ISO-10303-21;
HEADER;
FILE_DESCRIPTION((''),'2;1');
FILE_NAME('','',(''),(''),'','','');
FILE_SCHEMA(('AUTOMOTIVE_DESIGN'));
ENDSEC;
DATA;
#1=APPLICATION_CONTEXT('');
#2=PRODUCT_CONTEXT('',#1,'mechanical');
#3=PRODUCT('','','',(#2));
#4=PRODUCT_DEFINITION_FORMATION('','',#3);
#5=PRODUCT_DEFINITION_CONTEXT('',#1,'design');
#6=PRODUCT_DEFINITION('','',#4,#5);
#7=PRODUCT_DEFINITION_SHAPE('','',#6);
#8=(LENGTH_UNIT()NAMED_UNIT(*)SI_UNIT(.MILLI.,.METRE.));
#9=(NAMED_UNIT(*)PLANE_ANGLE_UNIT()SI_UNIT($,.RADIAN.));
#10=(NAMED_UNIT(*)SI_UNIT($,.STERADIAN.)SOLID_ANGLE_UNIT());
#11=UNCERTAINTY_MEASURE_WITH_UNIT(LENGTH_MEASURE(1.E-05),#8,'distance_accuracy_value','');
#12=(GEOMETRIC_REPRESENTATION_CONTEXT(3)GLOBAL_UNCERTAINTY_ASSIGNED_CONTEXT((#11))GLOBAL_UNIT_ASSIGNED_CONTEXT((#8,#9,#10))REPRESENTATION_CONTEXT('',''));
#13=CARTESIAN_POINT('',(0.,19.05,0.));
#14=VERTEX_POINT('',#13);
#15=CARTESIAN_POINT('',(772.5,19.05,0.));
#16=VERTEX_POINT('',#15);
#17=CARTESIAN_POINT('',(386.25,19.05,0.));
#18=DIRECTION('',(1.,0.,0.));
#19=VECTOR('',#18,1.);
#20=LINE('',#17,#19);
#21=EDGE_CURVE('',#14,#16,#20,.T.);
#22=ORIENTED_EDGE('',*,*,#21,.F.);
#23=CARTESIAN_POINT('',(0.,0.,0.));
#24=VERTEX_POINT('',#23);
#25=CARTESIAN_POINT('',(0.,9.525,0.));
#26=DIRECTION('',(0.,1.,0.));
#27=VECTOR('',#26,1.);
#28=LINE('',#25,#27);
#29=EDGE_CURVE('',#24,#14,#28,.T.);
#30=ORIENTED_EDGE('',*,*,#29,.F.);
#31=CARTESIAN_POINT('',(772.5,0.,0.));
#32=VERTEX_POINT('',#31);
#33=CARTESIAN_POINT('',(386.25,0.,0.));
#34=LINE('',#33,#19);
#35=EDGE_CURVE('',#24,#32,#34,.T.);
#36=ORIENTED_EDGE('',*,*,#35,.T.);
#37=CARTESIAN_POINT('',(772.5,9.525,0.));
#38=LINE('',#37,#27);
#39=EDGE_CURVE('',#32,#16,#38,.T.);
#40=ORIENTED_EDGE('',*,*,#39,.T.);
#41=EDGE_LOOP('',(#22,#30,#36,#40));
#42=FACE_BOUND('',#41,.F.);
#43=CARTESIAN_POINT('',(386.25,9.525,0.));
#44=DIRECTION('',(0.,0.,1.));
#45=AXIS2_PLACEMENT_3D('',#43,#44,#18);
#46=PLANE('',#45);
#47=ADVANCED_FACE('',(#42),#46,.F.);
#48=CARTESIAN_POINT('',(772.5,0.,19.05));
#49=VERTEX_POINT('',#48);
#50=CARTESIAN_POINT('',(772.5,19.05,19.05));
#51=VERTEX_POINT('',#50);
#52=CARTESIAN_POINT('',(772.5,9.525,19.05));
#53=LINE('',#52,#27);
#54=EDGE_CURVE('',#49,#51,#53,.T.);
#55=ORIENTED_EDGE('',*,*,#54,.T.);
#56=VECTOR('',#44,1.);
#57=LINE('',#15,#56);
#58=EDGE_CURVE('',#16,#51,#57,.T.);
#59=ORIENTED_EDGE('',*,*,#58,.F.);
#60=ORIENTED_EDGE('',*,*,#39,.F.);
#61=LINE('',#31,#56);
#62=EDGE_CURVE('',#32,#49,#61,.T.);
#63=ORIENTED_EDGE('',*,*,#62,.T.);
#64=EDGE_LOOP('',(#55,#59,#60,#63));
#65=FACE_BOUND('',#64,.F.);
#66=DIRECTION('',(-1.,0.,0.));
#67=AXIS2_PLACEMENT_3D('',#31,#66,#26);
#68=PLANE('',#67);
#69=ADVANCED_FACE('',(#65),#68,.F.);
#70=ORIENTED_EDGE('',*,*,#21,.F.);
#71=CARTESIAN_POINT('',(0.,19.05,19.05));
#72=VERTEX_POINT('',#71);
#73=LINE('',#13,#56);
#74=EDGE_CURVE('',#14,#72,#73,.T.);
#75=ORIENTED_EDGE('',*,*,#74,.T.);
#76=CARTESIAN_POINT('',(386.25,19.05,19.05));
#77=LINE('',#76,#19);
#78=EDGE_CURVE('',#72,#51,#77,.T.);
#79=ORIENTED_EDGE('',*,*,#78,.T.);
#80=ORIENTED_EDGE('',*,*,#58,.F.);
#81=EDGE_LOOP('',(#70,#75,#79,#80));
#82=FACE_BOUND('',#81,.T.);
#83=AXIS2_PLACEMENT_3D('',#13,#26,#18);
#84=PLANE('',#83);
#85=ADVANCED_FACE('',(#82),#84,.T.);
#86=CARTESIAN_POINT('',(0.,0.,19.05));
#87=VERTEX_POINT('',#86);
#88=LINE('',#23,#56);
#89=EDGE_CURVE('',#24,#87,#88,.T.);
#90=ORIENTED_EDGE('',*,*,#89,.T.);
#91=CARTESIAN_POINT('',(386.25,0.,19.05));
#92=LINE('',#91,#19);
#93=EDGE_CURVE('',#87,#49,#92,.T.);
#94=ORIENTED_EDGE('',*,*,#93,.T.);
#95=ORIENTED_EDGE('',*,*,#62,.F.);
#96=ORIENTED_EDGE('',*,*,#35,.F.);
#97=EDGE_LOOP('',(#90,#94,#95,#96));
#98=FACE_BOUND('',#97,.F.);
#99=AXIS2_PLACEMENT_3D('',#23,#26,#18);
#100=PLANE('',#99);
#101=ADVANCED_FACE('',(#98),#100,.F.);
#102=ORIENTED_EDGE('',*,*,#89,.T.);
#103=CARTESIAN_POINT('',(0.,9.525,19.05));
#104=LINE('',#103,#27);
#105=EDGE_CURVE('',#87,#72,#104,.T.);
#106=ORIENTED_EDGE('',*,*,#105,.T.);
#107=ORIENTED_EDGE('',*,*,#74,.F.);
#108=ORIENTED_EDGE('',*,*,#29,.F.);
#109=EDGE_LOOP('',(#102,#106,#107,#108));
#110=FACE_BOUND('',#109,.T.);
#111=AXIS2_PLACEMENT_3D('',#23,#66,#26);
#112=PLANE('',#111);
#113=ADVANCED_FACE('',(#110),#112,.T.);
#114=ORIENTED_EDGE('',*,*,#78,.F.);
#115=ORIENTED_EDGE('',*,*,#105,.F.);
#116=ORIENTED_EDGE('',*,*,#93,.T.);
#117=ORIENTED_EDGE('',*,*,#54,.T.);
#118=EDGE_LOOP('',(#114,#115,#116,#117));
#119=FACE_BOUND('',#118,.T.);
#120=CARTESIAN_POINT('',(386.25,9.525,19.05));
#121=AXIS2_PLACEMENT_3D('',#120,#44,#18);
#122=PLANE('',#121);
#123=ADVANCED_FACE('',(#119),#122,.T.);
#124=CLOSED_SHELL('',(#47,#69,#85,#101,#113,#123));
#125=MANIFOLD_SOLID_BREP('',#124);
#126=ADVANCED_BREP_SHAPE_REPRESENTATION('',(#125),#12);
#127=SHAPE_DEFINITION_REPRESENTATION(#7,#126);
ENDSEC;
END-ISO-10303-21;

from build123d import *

# Parameters (mm, degrees)
SKETCH_W  = 772.5
SKETCH_H  = 19.05
PAD_DEPTH = 19.05


with BuildPart() as part:
    # Sketch → Pad (new body)
    with BuildSketch(Plane.XY):
        with Locations((386.25, 9.525)):
            Rectangle(SKETCH_W, SKETCH_H)
    extrude(amount=PAD_DEPTH)


solid = part.part
